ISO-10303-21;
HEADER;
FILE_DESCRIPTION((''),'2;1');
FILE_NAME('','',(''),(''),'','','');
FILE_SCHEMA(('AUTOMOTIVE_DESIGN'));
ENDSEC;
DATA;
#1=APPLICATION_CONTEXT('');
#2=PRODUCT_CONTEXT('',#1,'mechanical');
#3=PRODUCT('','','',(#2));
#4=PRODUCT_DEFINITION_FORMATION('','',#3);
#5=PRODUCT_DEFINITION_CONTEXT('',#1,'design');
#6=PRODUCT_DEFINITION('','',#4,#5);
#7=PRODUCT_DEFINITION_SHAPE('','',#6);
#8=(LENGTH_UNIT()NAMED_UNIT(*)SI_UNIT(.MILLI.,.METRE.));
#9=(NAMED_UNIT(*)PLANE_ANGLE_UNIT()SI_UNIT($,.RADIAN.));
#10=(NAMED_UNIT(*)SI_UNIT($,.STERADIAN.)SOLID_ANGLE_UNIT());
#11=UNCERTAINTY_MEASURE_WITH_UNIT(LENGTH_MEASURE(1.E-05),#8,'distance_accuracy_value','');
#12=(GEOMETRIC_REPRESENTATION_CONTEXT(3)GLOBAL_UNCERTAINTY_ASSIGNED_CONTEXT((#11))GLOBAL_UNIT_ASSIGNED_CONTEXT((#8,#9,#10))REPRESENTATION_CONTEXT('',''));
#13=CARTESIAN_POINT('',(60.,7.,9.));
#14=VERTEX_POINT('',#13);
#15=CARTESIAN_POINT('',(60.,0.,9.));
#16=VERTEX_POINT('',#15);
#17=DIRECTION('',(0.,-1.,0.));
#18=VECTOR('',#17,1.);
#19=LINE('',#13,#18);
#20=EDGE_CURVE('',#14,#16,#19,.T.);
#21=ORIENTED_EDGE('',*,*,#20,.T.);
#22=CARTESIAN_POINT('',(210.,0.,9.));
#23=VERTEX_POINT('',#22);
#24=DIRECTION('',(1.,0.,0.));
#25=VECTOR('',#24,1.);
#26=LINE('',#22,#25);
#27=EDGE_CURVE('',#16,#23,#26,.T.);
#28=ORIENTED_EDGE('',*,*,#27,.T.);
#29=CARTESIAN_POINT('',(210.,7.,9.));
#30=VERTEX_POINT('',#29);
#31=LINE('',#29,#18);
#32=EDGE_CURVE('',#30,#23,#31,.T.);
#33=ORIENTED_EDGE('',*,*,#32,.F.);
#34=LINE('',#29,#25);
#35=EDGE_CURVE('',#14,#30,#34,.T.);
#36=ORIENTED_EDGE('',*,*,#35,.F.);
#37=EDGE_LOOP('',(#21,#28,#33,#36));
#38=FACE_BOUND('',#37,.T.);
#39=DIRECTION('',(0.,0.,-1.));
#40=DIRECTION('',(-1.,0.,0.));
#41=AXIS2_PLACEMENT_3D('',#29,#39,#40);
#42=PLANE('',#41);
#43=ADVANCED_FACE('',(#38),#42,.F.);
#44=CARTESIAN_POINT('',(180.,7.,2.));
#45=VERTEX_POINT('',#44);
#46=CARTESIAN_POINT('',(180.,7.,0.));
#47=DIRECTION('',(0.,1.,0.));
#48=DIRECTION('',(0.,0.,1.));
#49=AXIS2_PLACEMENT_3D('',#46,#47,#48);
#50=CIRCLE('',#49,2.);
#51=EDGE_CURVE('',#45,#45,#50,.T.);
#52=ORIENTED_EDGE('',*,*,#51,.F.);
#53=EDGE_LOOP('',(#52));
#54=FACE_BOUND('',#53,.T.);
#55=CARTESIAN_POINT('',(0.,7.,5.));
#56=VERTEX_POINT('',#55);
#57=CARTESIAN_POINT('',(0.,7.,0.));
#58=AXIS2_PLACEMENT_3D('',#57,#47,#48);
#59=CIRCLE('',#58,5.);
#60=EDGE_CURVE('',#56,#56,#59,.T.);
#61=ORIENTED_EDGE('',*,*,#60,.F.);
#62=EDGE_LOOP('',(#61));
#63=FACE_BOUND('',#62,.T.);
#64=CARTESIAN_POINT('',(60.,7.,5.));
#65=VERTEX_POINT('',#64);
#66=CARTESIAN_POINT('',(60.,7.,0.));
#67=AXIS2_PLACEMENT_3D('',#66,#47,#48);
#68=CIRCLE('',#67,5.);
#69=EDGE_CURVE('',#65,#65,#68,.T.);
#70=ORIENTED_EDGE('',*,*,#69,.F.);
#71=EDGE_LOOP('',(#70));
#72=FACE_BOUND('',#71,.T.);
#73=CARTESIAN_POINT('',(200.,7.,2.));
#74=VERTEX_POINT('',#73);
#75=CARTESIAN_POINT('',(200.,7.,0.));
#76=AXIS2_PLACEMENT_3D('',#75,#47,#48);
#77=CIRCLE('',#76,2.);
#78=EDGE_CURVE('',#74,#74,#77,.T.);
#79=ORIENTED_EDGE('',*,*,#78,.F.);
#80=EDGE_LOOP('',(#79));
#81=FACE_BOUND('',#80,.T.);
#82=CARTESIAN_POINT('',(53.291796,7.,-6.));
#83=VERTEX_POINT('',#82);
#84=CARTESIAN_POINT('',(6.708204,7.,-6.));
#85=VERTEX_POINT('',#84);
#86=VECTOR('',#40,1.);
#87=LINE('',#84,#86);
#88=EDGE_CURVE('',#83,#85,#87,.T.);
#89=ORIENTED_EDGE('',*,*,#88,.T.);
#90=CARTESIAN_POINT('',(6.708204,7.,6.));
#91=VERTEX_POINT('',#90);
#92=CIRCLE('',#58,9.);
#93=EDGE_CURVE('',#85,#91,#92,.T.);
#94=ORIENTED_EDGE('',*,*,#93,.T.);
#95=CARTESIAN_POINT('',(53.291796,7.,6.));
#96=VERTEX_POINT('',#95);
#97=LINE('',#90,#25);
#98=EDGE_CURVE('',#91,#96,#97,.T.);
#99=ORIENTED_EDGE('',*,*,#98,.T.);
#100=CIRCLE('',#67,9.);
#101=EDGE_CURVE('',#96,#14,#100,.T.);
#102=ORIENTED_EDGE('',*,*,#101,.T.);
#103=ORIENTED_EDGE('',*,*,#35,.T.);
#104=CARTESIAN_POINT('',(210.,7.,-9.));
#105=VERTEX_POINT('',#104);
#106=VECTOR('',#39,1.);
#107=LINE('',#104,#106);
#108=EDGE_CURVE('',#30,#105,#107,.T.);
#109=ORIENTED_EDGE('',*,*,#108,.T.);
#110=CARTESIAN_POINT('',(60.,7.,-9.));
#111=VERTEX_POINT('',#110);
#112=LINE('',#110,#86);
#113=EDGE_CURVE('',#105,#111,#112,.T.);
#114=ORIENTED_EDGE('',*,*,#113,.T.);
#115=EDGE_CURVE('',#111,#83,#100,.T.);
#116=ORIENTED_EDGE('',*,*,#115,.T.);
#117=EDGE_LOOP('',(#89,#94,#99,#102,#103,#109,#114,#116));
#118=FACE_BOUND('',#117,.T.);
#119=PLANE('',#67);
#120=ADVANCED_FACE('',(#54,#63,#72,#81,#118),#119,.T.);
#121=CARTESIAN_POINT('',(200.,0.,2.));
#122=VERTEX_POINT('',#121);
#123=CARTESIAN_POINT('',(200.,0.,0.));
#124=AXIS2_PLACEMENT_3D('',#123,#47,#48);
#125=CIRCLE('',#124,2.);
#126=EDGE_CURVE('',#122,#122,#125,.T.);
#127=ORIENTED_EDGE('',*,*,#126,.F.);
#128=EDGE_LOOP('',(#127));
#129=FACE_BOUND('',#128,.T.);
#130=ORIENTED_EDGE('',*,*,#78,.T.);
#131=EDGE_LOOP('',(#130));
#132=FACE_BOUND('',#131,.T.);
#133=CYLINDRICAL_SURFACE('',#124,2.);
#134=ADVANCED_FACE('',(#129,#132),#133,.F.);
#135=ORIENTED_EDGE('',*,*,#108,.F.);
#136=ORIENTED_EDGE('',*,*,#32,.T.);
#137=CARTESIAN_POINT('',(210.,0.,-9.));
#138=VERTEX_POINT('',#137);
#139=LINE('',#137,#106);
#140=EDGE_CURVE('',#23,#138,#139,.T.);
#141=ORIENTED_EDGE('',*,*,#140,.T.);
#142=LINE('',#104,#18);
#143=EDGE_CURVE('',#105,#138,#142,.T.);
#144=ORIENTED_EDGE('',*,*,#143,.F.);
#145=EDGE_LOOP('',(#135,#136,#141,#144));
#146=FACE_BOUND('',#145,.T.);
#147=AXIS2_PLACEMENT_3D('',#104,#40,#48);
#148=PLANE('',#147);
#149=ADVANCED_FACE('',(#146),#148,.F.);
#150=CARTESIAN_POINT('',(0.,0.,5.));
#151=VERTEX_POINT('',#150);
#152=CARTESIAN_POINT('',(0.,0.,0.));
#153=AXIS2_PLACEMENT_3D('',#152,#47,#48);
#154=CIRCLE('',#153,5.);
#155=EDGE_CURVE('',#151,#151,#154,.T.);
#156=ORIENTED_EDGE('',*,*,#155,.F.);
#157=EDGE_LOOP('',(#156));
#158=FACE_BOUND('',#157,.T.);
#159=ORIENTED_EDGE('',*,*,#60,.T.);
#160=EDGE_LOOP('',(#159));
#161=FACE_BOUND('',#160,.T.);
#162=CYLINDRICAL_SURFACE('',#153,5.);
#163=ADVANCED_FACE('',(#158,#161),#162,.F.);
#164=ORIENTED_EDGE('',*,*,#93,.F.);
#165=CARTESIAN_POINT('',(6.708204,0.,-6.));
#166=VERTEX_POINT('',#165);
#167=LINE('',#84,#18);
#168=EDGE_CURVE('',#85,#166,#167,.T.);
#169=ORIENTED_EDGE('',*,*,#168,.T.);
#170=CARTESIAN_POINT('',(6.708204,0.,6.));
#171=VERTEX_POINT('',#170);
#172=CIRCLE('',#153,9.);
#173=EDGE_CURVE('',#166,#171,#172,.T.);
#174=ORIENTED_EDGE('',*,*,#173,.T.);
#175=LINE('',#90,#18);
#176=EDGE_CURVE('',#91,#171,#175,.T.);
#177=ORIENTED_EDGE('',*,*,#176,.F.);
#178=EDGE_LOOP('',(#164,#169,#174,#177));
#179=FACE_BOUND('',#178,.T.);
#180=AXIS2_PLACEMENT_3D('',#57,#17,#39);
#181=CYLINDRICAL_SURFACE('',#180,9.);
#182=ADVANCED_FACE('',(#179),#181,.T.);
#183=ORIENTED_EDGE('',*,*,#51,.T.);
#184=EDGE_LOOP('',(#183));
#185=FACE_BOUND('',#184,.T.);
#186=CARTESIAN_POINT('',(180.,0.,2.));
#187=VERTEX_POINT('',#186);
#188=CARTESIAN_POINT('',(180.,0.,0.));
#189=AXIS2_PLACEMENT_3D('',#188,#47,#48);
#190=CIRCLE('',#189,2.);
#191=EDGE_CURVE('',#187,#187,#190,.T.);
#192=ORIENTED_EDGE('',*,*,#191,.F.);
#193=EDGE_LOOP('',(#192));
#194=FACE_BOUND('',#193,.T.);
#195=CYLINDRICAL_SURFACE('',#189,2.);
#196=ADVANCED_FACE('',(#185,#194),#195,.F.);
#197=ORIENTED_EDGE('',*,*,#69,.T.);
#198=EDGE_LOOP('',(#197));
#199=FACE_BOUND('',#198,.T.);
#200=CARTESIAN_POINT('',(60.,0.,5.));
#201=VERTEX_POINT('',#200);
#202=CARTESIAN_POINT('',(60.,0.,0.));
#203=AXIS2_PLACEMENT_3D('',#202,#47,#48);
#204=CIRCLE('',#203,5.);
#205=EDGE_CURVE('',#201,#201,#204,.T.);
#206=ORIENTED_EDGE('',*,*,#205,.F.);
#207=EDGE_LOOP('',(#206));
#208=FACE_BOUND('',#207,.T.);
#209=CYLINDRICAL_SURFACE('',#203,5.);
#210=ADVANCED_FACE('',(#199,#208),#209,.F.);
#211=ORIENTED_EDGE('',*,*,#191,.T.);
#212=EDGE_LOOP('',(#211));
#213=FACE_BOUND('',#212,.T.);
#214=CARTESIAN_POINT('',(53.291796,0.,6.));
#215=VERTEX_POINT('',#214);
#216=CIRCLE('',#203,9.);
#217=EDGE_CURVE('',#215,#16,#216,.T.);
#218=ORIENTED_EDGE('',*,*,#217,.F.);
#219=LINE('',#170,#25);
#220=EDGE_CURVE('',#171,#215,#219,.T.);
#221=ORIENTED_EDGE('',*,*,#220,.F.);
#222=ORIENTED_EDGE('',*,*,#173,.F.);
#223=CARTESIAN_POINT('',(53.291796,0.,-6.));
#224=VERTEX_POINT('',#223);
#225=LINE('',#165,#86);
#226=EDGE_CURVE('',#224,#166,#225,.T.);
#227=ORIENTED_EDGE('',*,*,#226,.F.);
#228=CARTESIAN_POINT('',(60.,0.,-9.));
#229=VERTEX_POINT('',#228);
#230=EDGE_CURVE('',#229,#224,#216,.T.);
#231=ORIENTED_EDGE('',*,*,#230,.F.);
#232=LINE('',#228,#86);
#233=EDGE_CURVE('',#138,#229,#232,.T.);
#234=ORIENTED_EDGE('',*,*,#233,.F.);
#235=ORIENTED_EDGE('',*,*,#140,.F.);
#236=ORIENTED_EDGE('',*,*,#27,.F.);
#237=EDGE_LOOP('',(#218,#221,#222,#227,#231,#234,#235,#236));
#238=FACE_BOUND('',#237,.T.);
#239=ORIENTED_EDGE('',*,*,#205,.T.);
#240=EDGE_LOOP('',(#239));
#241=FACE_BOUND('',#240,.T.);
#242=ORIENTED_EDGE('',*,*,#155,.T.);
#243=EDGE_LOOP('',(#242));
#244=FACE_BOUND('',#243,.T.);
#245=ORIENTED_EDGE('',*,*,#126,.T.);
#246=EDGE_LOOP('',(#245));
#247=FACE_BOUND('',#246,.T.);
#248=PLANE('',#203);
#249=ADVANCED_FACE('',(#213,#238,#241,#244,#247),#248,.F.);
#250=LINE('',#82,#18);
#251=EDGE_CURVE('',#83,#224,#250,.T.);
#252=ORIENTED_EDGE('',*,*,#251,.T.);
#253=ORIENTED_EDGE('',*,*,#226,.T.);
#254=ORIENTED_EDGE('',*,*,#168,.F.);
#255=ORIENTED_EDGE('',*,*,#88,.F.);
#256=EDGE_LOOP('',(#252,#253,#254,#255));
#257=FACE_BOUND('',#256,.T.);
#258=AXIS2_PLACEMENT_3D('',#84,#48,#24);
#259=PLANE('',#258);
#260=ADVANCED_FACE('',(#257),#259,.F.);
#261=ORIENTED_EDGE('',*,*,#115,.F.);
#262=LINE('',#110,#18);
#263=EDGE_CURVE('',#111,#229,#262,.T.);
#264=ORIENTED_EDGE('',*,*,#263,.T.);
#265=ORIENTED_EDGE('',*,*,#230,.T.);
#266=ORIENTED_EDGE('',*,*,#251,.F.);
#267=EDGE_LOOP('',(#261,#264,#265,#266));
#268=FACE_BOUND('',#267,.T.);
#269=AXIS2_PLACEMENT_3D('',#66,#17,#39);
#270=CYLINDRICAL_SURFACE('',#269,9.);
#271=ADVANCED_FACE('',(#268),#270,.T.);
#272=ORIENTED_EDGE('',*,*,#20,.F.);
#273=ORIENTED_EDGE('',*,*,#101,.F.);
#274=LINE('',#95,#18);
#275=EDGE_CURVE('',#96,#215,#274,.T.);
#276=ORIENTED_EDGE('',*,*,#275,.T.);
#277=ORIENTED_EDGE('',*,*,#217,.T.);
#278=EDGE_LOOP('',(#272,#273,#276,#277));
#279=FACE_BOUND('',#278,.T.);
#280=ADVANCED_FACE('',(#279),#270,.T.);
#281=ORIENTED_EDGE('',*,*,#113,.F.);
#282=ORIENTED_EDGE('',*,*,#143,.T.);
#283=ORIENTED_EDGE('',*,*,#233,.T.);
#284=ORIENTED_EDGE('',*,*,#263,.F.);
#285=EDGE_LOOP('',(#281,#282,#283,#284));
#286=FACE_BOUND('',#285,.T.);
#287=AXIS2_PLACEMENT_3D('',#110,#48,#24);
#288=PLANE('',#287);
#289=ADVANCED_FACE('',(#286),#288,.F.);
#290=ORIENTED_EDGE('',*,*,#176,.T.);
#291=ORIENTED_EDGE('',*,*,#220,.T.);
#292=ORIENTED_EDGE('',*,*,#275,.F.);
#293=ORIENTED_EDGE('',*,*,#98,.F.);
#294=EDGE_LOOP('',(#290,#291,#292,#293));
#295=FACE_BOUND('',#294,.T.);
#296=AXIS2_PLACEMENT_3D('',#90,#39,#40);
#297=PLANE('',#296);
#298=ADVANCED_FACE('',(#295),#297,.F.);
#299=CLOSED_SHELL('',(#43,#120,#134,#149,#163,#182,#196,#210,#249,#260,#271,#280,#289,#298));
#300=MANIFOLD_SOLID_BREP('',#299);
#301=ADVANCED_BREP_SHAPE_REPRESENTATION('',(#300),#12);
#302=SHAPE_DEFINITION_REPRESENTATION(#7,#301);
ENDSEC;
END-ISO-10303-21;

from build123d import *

# Parameters (mm, degrees)
BOSS_EXTRUDE1_DEPTH = 7
SKETCH2_R           = 5
CUT_EXTRUDE1_DEPTH  = 211.309296038
SKETCH3_R           = 2
CUT_EXTRUDE2_DEPTH  = 211.309296038


with BuildPart() as part:
    # Sketch1 → Boss-Extrude1 (new body)
    with BuildSketch(Plane(origin=(0, 0, 0), x_dir=(1, 0, 0), z_dir=(0, 1, 0))):
        with BuildLine():
            Line((6.708203932, 6), (53.291796068, 6))
            ThreePointArc((53.291796068, 6), (56.325765386, 8.215838363), (60, 9))
            Line((60, 9), (210, 9))
            Line((210, 9), (210, -9))
            Line((210, -9), (60, -9))
            ThreePointArc((60, -9), (56.325765386, -8.215838363), (53.291796068, -6))
            Line((53.291796068, -6), (6.708203932, -6))
            ThreePointArc((6.708203932, -6), (-9, 0), (6.708203932, 6))
        make_face()
    extrude(amount=BOSS_EXTRUDE1_DEPTH)

    # Sketch2 → Cut-Extrude1 (cut, through all)
    with BuildSketch(Plane(origin=(0, 7, 0), x_dir=(1, 0, 0), z_dir=(0, 1, 0))):
        with Locations(Location((0, 0, 0), (0, 0, 270))):
            Circle(SKETCH2_R)
        with Locations(Location((60, 0, 0), (0, 0, 270))):
            Circle(SKETCH2_R)
    extrude(amount=-CUT_EXTRUDE1_DEPTH, mode=Mode.SUBTRACT)

    # Sketch3 → Cut-Extrude2 (cut, through all)
    with BuildSketch(Plane(origin=(0, 7, 0), x_dir=(1, 0, 0), z_dir=(0, 1, 0))):
        with Locations(Location((200, 0, 0), (0, 0, 270))):
            Circle(SKETCH3_R)
        with Locations(Location((180, 0, 0), (0, 0, 270))):
            Circle(SKETCH3_R)
    extrude(amount=-CUT_EXTRUDE2_DEPTH, mode=Mode.SUBTRACT)


solid = part.part
